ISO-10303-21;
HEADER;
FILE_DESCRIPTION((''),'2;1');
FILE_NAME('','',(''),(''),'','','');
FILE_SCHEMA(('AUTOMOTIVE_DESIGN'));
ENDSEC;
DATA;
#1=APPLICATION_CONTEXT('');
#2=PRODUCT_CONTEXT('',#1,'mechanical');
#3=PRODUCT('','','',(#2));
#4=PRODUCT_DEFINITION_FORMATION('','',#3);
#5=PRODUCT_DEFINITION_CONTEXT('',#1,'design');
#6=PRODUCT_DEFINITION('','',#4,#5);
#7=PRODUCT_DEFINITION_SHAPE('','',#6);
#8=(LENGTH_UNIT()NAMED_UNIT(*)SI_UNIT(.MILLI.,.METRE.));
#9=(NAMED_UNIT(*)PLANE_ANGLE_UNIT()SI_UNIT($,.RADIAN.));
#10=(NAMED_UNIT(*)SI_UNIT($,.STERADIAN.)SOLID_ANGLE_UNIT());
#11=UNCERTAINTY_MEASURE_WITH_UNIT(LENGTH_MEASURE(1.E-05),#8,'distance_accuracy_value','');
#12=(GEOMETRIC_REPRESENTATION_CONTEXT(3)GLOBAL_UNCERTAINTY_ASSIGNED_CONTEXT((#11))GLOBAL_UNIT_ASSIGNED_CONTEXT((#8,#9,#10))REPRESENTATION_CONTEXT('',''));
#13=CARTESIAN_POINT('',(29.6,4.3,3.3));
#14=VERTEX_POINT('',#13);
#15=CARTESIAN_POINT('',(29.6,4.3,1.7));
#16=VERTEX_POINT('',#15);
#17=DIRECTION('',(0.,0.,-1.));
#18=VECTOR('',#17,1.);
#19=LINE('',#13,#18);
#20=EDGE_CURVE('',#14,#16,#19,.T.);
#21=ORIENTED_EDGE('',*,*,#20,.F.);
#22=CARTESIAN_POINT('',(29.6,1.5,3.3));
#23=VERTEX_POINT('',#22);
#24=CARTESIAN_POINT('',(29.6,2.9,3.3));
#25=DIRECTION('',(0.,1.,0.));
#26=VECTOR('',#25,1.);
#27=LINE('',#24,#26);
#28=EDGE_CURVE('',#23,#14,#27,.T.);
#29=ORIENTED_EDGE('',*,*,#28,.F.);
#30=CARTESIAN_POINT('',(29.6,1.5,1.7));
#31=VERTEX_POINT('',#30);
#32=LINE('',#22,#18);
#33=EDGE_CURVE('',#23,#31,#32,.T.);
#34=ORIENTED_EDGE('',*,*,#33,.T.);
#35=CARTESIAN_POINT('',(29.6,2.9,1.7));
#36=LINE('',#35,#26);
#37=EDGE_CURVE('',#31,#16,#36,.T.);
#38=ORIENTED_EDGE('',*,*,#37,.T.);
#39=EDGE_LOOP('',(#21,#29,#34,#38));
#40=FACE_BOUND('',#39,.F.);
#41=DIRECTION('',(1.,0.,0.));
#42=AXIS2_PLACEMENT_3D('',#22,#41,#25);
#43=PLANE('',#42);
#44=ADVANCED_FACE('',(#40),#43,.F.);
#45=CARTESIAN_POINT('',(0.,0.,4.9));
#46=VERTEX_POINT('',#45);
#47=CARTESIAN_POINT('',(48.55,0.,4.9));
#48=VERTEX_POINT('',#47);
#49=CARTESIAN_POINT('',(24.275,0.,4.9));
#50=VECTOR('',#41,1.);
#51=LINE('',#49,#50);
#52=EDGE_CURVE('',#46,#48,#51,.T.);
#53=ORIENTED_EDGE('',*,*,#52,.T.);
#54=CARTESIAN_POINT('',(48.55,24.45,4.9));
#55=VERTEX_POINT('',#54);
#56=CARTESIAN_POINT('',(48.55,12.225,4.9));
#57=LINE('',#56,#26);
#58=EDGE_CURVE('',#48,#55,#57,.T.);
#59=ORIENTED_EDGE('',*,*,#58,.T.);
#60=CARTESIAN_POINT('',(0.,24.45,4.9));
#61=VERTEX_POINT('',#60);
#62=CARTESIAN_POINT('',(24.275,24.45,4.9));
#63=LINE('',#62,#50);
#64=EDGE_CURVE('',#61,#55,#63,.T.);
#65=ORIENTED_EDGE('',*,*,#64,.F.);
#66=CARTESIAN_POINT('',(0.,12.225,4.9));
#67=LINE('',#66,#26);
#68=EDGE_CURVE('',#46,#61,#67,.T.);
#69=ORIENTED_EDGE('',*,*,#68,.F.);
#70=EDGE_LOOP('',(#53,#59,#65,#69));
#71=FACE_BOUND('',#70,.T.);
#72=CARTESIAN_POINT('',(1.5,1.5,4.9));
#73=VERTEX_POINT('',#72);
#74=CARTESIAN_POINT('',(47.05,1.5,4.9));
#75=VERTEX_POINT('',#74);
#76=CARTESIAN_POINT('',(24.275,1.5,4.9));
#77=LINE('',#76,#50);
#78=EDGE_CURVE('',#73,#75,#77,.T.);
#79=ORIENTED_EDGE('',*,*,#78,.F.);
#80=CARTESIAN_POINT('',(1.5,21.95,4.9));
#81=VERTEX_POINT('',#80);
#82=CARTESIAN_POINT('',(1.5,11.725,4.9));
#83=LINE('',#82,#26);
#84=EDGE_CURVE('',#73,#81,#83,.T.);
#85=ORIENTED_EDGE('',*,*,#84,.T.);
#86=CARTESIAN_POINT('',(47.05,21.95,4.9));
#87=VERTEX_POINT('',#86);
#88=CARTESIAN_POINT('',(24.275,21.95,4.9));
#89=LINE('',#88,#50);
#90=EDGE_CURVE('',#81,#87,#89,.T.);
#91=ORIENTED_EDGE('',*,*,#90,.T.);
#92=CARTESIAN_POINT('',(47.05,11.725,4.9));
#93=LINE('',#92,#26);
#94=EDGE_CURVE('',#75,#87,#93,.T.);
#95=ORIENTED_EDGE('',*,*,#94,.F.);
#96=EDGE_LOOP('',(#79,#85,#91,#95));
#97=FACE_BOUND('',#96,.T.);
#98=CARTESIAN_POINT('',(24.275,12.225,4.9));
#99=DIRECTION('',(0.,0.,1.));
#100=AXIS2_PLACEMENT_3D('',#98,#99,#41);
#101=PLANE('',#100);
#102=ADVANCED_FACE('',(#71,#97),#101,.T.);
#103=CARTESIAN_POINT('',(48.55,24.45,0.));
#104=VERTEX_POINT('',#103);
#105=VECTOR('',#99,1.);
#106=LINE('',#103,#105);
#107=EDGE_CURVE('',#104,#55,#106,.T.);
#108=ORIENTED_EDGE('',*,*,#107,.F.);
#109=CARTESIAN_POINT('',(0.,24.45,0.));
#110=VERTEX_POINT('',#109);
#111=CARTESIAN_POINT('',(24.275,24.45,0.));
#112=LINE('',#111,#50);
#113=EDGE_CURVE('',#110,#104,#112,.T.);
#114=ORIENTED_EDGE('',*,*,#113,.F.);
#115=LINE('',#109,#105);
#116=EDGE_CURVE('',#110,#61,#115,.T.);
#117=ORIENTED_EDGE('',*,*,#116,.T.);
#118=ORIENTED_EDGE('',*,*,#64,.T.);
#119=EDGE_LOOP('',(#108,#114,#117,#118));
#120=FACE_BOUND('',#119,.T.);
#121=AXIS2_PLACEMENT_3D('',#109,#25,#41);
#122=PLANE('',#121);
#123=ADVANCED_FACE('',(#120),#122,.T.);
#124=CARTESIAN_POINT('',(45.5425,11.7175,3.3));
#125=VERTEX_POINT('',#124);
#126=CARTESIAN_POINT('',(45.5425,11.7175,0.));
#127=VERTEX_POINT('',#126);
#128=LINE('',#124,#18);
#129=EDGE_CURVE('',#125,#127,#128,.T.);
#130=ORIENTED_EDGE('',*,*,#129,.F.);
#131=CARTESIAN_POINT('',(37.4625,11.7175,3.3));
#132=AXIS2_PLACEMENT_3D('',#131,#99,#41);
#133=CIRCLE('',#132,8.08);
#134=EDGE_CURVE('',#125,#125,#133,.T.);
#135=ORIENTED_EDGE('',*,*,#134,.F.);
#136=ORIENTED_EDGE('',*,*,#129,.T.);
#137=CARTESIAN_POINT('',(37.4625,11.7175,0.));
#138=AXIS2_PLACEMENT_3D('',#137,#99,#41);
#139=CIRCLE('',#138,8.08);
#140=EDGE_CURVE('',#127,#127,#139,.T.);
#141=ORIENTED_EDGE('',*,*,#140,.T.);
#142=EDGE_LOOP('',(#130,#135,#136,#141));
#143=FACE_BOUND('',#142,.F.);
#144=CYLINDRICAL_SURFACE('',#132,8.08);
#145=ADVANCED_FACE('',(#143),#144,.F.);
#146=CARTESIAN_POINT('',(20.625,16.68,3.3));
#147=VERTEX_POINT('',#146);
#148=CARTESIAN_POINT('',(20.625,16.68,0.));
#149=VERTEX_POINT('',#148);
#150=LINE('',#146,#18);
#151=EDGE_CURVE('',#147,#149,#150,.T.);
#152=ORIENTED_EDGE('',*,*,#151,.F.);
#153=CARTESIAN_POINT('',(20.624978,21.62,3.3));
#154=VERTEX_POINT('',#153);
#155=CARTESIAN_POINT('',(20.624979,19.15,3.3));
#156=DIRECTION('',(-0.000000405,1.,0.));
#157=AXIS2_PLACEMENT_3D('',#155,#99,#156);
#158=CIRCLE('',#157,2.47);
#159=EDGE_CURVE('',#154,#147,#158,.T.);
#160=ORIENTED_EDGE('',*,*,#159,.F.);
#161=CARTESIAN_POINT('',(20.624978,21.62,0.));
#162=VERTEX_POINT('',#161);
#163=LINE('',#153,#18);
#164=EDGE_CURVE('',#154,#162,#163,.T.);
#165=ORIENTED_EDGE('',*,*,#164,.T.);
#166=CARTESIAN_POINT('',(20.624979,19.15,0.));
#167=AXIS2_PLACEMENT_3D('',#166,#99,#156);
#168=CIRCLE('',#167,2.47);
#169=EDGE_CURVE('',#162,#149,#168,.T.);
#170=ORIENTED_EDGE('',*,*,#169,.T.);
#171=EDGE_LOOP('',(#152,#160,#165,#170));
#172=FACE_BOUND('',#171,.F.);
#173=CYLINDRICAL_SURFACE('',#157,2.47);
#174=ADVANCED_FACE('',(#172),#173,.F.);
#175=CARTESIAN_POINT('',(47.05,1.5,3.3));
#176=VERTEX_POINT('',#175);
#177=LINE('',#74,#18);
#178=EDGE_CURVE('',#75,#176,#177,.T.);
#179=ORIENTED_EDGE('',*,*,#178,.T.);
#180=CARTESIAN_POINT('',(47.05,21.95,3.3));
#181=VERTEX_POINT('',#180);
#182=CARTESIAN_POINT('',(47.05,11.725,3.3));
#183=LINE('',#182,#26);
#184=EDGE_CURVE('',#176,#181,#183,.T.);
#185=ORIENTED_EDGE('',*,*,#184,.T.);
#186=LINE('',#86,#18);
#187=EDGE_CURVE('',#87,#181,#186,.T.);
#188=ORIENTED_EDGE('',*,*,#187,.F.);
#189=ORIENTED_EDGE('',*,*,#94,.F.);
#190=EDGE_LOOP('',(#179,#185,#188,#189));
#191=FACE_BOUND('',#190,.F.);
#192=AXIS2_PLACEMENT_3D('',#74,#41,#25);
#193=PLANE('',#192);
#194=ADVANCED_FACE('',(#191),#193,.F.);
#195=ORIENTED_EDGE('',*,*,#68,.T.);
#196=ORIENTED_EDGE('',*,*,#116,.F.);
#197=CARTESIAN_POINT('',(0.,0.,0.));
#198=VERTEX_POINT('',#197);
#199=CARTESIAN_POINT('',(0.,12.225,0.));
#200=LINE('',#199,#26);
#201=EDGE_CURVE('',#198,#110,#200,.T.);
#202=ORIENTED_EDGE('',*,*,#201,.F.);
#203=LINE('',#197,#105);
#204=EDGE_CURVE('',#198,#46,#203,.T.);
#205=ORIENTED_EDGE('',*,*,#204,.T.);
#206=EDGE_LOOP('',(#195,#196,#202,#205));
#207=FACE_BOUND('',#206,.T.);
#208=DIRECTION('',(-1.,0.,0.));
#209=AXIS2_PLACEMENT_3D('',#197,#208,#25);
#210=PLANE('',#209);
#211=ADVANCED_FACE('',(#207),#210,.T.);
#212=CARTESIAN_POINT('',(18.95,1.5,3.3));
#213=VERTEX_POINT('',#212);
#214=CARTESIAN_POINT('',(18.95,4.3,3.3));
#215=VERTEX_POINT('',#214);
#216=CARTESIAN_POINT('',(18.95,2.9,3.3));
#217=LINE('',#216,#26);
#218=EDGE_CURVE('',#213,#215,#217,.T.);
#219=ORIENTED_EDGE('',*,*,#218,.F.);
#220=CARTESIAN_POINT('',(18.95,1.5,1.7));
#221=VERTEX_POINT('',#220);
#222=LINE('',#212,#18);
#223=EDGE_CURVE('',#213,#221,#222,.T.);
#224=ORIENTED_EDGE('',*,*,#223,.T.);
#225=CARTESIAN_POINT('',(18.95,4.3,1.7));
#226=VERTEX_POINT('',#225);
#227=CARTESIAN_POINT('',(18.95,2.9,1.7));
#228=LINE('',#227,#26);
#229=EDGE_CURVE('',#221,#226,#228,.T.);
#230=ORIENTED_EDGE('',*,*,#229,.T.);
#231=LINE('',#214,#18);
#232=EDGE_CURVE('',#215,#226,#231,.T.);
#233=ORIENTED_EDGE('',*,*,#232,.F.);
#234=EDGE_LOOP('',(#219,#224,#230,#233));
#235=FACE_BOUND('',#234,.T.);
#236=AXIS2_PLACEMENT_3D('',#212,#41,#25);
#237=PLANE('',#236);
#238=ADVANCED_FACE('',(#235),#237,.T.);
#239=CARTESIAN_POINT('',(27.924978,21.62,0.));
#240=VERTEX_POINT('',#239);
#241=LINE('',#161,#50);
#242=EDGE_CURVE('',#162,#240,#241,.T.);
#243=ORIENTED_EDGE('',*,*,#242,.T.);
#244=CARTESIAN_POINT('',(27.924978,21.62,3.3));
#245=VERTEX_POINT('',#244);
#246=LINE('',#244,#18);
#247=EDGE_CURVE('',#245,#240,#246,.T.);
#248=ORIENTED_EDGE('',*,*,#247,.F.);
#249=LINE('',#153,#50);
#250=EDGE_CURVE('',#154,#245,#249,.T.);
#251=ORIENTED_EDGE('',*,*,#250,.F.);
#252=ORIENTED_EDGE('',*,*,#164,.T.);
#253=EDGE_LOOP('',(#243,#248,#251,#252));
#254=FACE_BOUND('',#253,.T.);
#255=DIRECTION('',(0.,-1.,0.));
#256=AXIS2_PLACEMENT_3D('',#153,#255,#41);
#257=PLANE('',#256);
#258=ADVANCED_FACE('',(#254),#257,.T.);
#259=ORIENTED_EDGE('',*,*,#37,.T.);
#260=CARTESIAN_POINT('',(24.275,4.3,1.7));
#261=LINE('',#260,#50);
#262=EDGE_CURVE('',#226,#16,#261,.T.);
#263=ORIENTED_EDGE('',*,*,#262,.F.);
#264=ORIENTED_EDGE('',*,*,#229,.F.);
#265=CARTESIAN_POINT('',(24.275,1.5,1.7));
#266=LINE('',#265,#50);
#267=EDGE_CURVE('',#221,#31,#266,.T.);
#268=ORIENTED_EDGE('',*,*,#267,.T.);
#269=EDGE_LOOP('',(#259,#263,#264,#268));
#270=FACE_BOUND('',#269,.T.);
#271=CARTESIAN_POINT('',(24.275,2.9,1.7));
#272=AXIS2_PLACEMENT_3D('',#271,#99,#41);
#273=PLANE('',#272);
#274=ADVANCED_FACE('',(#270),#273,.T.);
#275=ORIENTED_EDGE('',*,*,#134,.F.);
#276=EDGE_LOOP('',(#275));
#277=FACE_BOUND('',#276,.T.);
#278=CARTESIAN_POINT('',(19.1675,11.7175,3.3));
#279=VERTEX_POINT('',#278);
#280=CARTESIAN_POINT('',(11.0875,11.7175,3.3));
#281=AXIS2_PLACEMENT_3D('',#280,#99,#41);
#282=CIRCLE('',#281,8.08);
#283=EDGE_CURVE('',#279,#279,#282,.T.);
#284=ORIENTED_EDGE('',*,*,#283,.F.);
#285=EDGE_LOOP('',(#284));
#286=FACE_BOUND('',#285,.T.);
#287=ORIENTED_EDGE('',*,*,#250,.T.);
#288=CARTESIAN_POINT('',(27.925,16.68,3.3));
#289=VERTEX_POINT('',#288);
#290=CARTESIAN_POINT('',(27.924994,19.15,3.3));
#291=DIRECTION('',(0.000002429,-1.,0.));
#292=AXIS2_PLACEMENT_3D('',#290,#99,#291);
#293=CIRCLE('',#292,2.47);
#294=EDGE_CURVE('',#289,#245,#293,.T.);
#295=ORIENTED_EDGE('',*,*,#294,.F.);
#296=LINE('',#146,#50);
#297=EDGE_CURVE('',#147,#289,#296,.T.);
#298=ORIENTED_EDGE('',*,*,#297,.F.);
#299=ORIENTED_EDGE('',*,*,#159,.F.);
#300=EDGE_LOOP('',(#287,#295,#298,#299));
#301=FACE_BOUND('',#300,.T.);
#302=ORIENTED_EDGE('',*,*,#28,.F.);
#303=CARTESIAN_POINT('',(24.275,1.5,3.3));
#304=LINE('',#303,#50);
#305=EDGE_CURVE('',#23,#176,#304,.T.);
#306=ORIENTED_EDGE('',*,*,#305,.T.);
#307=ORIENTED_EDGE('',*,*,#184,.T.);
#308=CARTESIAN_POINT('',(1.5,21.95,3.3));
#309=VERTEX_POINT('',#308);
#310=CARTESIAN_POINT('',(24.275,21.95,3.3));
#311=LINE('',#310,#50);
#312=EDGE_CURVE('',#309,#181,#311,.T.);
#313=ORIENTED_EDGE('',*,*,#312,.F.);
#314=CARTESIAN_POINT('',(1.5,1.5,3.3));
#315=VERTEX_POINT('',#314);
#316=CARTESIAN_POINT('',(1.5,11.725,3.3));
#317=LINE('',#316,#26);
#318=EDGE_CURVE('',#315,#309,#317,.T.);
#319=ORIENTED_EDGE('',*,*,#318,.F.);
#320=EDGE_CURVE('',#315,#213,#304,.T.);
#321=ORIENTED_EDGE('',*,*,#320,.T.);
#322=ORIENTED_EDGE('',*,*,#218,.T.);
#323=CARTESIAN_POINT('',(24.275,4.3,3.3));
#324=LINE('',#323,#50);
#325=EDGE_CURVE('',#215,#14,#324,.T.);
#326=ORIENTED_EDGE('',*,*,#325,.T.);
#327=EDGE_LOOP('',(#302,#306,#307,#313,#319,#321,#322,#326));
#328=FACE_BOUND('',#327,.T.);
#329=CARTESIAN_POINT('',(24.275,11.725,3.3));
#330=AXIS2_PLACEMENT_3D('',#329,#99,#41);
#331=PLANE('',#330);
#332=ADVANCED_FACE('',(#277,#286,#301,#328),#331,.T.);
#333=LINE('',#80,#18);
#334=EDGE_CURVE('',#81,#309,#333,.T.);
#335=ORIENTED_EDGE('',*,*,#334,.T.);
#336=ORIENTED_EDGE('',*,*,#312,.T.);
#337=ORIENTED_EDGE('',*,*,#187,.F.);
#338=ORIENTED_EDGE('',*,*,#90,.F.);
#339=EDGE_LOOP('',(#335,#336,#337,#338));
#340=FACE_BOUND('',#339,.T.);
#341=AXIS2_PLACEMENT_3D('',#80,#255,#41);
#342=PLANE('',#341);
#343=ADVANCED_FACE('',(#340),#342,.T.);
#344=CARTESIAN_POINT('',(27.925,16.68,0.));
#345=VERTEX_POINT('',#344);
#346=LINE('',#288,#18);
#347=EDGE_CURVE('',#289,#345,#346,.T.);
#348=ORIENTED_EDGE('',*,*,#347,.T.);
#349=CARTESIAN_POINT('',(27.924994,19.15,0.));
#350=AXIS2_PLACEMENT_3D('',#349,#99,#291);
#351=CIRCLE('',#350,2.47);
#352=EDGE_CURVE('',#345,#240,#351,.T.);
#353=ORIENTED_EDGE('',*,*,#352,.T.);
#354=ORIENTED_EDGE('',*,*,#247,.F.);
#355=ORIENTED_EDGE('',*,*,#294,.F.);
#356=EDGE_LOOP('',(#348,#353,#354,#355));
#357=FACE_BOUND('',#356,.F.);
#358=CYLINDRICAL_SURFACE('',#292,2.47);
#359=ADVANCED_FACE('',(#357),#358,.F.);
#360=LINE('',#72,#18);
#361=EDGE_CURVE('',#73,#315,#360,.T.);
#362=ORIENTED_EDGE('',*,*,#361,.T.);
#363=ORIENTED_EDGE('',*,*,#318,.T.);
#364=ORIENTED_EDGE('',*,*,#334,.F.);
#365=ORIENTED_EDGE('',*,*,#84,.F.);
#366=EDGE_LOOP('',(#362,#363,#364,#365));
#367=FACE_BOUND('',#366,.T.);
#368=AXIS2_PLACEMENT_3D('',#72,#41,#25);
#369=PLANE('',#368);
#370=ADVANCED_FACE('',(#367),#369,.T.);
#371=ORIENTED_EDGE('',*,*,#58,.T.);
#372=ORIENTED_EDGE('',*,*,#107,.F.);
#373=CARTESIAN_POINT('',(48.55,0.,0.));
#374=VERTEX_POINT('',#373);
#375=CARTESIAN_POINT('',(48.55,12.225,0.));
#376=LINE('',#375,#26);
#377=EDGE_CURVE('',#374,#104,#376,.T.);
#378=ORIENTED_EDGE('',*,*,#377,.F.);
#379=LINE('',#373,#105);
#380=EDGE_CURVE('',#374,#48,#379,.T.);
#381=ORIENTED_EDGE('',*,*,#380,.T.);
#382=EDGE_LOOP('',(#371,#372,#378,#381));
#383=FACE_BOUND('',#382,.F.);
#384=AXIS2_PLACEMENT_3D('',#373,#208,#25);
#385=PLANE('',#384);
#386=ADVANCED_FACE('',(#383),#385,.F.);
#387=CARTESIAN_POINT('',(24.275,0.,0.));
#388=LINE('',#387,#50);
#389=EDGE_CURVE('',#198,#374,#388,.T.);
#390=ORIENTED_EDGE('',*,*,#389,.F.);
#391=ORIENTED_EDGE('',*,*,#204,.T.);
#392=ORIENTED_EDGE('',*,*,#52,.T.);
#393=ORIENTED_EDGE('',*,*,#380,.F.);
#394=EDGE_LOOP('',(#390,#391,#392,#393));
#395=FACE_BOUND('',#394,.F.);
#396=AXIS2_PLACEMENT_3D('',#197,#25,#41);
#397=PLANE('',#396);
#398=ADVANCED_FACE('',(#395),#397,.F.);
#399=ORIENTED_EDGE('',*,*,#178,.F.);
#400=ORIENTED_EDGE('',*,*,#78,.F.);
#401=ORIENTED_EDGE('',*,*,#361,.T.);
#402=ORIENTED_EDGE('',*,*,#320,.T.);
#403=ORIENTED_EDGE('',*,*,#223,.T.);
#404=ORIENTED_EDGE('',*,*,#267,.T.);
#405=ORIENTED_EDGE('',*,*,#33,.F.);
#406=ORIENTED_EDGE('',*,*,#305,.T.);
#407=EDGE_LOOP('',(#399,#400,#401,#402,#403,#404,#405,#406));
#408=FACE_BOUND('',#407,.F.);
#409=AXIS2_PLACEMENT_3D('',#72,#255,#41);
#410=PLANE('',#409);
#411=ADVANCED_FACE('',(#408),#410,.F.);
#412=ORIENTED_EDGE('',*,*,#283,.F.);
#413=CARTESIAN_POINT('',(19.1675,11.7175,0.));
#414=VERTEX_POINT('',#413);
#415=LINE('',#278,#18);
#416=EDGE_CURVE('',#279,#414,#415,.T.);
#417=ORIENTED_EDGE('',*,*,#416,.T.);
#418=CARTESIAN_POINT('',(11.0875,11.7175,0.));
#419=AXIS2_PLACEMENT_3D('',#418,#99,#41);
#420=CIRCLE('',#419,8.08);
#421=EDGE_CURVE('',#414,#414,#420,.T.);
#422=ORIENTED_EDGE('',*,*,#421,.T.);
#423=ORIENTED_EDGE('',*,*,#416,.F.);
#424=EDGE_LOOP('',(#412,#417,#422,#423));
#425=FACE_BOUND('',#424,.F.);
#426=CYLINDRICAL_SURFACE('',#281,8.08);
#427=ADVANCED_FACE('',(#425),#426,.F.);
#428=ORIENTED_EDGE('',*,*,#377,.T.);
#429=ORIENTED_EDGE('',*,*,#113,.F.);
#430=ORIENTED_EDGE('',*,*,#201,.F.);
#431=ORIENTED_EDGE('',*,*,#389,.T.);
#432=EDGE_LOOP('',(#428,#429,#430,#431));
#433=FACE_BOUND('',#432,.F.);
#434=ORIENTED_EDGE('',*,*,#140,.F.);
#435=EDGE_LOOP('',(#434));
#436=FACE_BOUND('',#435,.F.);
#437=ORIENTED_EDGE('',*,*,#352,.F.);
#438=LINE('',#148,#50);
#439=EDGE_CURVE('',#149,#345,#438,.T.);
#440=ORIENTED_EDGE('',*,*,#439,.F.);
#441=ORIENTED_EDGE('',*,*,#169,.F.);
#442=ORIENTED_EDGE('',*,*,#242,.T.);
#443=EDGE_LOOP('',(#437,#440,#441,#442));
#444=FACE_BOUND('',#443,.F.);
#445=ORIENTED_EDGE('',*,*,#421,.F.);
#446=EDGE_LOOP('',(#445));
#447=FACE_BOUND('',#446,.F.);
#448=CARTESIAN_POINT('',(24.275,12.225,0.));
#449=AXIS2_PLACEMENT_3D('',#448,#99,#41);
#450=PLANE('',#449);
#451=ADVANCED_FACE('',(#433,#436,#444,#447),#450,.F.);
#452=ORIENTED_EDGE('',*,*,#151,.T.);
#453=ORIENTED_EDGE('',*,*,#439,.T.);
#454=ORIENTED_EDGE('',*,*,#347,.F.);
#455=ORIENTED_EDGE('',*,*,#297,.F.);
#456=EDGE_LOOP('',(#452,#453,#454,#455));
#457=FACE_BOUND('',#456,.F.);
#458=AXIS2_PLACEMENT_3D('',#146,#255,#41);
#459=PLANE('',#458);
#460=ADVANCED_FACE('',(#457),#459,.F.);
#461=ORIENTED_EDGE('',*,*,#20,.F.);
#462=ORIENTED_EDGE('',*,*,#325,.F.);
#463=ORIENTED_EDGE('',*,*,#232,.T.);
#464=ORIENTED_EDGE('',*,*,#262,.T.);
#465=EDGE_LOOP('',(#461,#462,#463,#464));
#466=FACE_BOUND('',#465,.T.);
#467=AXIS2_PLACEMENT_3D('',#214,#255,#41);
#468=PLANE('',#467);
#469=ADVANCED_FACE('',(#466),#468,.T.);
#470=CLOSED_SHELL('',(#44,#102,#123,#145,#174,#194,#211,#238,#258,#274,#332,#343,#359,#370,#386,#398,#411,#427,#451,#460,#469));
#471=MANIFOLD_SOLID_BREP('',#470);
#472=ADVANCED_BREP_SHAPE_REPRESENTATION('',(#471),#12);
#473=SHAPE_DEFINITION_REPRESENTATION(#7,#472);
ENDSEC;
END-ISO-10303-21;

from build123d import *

# Parameters (mm, degrees)
SKETCH_W        = 48.55
SKETCH_H        = 24.45
PAD_DEPTH       = 4.9
SKETCH001_W     = 45.55
SKETCH001_H     = 20.45
POCKET_DEPTH    = 1.6
SKETCH002_R     = 8.08
POCKET001_DEPTH = 3.3
SKETCH003_W     = 10.65
SKETCH003_H     = 2.8
POCKET002_DEPTH = 1.6


with BuildPart() as part:
    # Sketch → Pad (new body)
    with BuildSketch(Plane.XY):
        with Locations((24.275, 12.225)):
            Rectangle(SKETCH_W, SKETCH_H)
    extrude(amount=PAD_DEPTH)

    # Sketch001 → Pocket (cut)
    with BuildSketch(Plane.XY.offset(4.9)):
        with Locations((24.275, 11.725)):
            Rectangle(SKETCH001_W, SKETCH001_H)
    extrude(amount=-POCKET_DEPTH, mode=Mode.SUBTRACT)

    # Sketch002 → Pocket001 (cut)
    with BuildSketch(Plane.XY.offset(3.3)):
        with Locations((11.0875, 11.7175)):
            Circle(SKETCH002_R)
        with Locations((37.4625, 11.7175)):
            Circle(SKETCH002_R)
        with BuildLine():
            Line((20.624978, 21.62), (27.924978, 21.62))
            ThreePointArc((27.925, 16.68), (30.394994, 19.150011), (27.924978, 21.62))
            Line((20.625, 16.68), (27.925, 16.68))
            ThreePointArc((20.624978, 21.62), (18.154979, 19.149989), (20.625, 16.68))
        make_face()
    extrude(amount=-POCKET001_DEPTH, mode=Mode.SUBTRACT)

    # Sketch003 → Pocket002 (cut)
    with BuildSketch(Plane.XY.offset(3.3)):
        with Locations((24.275, 2.9)):
            Rectangle(SKETCH003_W, SKETCH003_H)
    extrude(amount=-POCKET002_DEPTH, mode=Mode.SUBTRACT)


solid = part.part
